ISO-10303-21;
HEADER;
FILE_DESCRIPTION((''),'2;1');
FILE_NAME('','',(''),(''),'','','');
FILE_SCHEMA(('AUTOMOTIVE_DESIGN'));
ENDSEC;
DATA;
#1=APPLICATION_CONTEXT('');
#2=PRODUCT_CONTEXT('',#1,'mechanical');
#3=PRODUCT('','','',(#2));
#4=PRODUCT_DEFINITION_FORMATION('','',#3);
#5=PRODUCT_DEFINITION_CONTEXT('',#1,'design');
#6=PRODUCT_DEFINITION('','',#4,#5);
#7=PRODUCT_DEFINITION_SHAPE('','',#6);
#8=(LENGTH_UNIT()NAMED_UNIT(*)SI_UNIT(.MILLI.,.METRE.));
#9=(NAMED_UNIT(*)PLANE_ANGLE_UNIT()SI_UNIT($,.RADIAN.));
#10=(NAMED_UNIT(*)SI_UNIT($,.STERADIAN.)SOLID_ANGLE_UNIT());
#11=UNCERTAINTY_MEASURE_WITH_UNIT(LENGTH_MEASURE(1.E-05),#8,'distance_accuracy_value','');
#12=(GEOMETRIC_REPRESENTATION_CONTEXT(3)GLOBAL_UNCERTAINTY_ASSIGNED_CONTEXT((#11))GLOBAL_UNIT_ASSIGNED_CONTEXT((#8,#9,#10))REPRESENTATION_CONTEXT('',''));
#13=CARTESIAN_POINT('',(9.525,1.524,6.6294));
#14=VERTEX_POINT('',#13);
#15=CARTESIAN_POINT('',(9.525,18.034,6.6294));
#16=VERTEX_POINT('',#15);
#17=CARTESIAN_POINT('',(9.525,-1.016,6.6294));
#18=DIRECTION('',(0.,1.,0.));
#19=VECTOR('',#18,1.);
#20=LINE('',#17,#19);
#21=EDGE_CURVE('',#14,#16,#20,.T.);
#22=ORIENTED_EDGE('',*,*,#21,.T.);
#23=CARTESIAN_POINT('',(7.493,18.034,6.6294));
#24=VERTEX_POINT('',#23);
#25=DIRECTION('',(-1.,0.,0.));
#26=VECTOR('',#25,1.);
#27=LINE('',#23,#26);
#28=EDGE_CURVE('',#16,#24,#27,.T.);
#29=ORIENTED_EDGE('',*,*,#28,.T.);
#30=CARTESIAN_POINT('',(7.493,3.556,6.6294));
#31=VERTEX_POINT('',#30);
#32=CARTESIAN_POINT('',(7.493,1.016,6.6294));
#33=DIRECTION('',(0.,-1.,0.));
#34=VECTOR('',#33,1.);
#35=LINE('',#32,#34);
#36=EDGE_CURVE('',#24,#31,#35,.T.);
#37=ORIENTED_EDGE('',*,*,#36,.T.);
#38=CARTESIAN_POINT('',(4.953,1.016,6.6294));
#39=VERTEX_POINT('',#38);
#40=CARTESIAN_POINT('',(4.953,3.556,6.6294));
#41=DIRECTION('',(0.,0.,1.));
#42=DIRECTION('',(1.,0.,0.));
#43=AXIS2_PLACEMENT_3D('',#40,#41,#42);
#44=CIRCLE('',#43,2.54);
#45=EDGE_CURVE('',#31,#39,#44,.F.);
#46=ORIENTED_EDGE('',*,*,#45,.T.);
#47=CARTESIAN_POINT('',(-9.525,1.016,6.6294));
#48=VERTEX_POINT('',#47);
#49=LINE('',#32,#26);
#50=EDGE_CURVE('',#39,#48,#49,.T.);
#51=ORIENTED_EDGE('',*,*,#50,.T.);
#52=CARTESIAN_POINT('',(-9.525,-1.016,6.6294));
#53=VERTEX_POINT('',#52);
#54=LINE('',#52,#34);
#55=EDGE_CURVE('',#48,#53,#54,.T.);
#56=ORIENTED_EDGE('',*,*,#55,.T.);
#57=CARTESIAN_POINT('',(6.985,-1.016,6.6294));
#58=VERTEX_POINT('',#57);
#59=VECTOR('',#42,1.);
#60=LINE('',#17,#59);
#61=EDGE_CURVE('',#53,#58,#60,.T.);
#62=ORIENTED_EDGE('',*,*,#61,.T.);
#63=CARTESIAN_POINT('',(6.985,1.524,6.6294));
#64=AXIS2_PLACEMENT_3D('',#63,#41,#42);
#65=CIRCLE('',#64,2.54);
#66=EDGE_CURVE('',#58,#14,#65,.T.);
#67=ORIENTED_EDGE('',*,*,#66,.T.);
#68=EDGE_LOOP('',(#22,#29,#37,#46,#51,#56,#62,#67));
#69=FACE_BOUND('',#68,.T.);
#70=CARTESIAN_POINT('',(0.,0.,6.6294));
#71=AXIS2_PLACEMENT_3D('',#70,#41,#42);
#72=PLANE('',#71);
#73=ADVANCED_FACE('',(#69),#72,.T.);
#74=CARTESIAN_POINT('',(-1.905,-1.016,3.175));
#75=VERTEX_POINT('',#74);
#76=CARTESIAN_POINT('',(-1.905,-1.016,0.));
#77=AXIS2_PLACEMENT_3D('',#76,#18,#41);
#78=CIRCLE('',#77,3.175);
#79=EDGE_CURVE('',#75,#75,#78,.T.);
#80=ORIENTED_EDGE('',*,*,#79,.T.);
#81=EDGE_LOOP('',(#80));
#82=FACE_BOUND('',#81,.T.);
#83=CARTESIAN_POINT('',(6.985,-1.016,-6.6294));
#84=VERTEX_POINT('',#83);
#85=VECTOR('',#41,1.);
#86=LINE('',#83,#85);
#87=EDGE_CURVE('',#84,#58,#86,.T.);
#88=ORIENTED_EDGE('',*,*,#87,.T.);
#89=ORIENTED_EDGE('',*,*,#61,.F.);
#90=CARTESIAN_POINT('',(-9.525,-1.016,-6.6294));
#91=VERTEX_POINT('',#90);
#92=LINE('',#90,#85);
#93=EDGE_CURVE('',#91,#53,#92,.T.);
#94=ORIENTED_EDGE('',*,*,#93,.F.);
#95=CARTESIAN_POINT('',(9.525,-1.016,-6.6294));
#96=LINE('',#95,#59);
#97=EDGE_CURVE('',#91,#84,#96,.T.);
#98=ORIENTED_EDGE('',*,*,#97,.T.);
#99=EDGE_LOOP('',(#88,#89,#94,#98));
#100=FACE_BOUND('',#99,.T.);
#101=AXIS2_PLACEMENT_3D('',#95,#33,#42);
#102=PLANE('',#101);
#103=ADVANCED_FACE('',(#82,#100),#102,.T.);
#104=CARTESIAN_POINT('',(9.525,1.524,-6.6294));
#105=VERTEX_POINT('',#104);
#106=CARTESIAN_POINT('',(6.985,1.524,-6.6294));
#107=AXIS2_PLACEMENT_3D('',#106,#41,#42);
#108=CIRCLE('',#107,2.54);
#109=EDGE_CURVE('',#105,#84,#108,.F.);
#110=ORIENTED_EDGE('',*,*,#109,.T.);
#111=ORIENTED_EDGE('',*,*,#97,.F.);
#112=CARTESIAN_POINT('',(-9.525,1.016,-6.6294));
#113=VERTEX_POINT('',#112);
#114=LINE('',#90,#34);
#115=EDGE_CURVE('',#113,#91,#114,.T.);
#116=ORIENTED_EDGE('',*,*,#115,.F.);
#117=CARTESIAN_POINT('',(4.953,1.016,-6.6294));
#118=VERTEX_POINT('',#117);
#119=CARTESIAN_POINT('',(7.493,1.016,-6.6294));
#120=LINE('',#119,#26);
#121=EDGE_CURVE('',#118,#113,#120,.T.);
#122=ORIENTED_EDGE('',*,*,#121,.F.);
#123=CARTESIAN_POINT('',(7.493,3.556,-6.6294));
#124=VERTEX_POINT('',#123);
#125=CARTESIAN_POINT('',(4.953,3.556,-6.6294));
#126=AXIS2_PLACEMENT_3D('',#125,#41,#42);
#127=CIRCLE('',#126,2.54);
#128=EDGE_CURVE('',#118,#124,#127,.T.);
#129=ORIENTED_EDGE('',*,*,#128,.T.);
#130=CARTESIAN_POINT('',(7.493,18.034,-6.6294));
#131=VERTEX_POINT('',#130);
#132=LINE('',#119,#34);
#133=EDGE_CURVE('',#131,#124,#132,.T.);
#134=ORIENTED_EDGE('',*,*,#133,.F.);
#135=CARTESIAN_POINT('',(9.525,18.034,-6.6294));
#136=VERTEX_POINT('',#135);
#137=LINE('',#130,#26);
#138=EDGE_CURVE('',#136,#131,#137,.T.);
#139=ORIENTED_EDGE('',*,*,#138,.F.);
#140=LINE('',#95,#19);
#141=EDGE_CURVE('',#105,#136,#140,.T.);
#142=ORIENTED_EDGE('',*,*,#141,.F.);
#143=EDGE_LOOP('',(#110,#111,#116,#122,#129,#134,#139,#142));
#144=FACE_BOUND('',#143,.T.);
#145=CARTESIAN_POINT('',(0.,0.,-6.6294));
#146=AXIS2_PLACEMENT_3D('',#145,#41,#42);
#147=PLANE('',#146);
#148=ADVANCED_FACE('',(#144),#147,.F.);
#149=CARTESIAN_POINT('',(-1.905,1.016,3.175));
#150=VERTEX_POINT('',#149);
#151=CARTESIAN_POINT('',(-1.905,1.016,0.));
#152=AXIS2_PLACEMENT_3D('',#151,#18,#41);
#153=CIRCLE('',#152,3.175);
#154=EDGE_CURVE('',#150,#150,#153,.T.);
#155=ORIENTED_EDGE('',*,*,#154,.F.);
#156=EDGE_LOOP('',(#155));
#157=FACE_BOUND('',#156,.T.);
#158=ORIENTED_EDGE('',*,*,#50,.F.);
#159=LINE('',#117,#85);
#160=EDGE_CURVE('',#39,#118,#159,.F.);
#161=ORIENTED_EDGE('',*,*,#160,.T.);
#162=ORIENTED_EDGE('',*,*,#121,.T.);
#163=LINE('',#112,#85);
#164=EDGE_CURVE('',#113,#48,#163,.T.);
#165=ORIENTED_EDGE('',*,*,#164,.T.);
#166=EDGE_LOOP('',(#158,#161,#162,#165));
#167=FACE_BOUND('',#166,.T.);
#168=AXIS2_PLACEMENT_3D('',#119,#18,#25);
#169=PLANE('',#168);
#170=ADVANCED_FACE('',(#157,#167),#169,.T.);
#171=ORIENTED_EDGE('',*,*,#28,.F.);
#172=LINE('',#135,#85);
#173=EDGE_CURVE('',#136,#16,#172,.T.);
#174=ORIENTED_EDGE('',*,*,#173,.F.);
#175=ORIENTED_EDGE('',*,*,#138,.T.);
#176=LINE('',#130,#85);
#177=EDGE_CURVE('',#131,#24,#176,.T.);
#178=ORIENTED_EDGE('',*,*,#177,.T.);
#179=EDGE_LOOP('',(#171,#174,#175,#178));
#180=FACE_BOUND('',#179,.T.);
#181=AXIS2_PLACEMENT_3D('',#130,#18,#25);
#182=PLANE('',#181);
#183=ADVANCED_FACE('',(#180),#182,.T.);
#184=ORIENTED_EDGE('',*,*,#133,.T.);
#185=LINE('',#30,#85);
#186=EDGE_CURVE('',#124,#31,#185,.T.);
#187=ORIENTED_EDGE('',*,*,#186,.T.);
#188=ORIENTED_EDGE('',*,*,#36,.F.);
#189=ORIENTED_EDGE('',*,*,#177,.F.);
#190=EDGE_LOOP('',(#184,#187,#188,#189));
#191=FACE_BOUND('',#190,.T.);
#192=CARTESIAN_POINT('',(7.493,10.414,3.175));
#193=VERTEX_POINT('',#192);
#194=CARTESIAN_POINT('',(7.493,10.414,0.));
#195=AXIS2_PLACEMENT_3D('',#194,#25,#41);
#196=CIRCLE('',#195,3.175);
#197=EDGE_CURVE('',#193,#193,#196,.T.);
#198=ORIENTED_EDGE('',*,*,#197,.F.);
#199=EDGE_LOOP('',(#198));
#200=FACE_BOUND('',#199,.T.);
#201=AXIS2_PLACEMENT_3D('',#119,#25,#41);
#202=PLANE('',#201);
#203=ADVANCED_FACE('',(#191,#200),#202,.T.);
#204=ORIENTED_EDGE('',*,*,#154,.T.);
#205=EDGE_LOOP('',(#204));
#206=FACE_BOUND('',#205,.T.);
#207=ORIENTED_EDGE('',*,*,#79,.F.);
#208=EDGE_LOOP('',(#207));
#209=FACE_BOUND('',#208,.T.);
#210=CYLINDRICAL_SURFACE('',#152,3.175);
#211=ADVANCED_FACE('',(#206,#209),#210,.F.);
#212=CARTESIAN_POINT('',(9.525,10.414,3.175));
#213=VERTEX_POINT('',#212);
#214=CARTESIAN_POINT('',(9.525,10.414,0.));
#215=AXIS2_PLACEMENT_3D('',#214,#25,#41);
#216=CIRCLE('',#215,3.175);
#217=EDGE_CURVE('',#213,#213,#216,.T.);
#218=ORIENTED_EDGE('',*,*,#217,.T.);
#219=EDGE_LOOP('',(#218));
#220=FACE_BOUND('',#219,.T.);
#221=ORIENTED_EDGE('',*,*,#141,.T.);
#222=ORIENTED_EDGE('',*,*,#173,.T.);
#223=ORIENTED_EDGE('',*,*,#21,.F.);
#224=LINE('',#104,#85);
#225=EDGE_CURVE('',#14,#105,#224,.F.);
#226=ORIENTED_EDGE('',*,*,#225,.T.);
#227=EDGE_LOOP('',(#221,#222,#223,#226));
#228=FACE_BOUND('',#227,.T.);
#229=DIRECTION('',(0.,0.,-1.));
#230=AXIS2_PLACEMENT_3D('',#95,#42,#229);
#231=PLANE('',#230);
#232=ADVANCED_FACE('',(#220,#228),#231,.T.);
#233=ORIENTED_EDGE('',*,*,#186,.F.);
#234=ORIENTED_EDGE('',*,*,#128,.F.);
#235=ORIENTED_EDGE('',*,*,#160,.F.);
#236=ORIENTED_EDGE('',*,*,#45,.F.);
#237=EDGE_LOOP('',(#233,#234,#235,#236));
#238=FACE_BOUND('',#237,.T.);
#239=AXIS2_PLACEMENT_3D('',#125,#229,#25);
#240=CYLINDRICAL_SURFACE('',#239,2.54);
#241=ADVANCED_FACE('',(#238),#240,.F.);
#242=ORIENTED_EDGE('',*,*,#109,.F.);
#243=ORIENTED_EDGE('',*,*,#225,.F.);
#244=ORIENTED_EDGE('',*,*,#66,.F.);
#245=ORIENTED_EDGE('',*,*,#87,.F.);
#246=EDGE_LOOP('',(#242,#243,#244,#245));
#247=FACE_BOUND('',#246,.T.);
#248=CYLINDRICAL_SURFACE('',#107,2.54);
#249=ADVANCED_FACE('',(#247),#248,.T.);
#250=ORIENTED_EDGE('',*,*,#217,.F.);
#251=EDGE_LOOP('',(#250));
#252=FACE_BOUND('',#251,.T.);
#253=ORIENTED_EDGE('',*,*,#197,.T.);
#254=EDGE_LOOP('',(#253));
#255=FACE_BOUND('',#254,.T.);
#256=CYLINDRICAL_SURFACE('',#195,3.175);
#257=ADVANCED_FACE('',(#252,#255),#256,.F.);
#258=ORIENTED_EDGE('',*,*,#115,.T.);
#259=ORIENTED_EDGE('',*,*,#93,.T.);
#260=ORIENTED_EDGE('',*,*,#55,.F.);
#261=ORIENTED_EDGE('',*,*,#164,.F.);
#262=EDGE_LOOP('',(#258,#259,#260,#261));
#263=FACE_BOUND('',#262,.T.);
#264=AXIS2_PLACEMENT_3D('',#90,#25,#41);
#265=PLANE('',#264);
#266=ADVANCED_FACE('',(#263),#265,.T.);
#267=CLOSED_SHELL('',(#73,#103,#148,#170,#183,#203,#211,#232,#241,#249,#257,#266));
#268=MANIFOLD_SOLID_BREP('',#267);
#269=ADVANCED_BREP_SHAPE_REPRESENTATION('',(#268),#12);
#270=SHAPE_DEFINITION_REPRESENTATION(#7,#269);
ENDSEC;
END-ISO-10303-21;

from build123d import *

# Parameters (mm, degrees)
BOSS_EXTRUDE1_DEPTH        = 6.6294
BOSS_EXTRUDE1_DEPTH_BACK   = 6.6294
F_1_4_0_2500_DOWEL_HOLE1_D = 6.35
F_1_4_0_2500_DOWEL_HOLE2_D = 6.35
FILLET1_R                  = 2.54


with BuildPart() as part:
    # Sketch1 → Boss-Extrude1 (new, two sides: drawn at the far end of the back side and taken through both)
    with BuildSketch(Plane.XY.offset(-BOSS_EXTRUDE1_DEPTH_BACK)):
        Polygon((7.493, 1.016), (7.493, 18.034), (9.525, 18.034), (9.525, -1.016), (-9.525, -1.016), (-9.525, 1.016), align=None)
    extrude(amount=BOSS_EXTRUDE1_DEPTH + BOSS_EXTRUDE1_DEPTH_BACK)

    # 1/4 (0.2500) Dowel Hole1 (through all)
    with Locations(Plane(origin=(0, 1.016, 0), x_dir=(1, 0, 0), z_dir=(0, 1, 0))):
        with Locations((-1.905, 0)):
            Hole(F_1_4_0_2500_DOWEL_HOLE1_D / 2)

    # 1/4 (0.2500) Dowel Hole2 (through all)
    with Locations(Plane.ZY.offset(-7.493)):
        with Locations((0, 10.414)):
            Hole(F_1_4_0_2500_DOWEL_HOLE2_D / 2)

    # Fillet1
    fillet1_edges = [part.edges().sort_by_distance(p)[0] for p in [
        (7.493, 1.016, 0),
        (9.525, -1.016, 0),
    ]]
    fillet(fillet1_edges, radius=FILLET1_R)


solid = part.part
